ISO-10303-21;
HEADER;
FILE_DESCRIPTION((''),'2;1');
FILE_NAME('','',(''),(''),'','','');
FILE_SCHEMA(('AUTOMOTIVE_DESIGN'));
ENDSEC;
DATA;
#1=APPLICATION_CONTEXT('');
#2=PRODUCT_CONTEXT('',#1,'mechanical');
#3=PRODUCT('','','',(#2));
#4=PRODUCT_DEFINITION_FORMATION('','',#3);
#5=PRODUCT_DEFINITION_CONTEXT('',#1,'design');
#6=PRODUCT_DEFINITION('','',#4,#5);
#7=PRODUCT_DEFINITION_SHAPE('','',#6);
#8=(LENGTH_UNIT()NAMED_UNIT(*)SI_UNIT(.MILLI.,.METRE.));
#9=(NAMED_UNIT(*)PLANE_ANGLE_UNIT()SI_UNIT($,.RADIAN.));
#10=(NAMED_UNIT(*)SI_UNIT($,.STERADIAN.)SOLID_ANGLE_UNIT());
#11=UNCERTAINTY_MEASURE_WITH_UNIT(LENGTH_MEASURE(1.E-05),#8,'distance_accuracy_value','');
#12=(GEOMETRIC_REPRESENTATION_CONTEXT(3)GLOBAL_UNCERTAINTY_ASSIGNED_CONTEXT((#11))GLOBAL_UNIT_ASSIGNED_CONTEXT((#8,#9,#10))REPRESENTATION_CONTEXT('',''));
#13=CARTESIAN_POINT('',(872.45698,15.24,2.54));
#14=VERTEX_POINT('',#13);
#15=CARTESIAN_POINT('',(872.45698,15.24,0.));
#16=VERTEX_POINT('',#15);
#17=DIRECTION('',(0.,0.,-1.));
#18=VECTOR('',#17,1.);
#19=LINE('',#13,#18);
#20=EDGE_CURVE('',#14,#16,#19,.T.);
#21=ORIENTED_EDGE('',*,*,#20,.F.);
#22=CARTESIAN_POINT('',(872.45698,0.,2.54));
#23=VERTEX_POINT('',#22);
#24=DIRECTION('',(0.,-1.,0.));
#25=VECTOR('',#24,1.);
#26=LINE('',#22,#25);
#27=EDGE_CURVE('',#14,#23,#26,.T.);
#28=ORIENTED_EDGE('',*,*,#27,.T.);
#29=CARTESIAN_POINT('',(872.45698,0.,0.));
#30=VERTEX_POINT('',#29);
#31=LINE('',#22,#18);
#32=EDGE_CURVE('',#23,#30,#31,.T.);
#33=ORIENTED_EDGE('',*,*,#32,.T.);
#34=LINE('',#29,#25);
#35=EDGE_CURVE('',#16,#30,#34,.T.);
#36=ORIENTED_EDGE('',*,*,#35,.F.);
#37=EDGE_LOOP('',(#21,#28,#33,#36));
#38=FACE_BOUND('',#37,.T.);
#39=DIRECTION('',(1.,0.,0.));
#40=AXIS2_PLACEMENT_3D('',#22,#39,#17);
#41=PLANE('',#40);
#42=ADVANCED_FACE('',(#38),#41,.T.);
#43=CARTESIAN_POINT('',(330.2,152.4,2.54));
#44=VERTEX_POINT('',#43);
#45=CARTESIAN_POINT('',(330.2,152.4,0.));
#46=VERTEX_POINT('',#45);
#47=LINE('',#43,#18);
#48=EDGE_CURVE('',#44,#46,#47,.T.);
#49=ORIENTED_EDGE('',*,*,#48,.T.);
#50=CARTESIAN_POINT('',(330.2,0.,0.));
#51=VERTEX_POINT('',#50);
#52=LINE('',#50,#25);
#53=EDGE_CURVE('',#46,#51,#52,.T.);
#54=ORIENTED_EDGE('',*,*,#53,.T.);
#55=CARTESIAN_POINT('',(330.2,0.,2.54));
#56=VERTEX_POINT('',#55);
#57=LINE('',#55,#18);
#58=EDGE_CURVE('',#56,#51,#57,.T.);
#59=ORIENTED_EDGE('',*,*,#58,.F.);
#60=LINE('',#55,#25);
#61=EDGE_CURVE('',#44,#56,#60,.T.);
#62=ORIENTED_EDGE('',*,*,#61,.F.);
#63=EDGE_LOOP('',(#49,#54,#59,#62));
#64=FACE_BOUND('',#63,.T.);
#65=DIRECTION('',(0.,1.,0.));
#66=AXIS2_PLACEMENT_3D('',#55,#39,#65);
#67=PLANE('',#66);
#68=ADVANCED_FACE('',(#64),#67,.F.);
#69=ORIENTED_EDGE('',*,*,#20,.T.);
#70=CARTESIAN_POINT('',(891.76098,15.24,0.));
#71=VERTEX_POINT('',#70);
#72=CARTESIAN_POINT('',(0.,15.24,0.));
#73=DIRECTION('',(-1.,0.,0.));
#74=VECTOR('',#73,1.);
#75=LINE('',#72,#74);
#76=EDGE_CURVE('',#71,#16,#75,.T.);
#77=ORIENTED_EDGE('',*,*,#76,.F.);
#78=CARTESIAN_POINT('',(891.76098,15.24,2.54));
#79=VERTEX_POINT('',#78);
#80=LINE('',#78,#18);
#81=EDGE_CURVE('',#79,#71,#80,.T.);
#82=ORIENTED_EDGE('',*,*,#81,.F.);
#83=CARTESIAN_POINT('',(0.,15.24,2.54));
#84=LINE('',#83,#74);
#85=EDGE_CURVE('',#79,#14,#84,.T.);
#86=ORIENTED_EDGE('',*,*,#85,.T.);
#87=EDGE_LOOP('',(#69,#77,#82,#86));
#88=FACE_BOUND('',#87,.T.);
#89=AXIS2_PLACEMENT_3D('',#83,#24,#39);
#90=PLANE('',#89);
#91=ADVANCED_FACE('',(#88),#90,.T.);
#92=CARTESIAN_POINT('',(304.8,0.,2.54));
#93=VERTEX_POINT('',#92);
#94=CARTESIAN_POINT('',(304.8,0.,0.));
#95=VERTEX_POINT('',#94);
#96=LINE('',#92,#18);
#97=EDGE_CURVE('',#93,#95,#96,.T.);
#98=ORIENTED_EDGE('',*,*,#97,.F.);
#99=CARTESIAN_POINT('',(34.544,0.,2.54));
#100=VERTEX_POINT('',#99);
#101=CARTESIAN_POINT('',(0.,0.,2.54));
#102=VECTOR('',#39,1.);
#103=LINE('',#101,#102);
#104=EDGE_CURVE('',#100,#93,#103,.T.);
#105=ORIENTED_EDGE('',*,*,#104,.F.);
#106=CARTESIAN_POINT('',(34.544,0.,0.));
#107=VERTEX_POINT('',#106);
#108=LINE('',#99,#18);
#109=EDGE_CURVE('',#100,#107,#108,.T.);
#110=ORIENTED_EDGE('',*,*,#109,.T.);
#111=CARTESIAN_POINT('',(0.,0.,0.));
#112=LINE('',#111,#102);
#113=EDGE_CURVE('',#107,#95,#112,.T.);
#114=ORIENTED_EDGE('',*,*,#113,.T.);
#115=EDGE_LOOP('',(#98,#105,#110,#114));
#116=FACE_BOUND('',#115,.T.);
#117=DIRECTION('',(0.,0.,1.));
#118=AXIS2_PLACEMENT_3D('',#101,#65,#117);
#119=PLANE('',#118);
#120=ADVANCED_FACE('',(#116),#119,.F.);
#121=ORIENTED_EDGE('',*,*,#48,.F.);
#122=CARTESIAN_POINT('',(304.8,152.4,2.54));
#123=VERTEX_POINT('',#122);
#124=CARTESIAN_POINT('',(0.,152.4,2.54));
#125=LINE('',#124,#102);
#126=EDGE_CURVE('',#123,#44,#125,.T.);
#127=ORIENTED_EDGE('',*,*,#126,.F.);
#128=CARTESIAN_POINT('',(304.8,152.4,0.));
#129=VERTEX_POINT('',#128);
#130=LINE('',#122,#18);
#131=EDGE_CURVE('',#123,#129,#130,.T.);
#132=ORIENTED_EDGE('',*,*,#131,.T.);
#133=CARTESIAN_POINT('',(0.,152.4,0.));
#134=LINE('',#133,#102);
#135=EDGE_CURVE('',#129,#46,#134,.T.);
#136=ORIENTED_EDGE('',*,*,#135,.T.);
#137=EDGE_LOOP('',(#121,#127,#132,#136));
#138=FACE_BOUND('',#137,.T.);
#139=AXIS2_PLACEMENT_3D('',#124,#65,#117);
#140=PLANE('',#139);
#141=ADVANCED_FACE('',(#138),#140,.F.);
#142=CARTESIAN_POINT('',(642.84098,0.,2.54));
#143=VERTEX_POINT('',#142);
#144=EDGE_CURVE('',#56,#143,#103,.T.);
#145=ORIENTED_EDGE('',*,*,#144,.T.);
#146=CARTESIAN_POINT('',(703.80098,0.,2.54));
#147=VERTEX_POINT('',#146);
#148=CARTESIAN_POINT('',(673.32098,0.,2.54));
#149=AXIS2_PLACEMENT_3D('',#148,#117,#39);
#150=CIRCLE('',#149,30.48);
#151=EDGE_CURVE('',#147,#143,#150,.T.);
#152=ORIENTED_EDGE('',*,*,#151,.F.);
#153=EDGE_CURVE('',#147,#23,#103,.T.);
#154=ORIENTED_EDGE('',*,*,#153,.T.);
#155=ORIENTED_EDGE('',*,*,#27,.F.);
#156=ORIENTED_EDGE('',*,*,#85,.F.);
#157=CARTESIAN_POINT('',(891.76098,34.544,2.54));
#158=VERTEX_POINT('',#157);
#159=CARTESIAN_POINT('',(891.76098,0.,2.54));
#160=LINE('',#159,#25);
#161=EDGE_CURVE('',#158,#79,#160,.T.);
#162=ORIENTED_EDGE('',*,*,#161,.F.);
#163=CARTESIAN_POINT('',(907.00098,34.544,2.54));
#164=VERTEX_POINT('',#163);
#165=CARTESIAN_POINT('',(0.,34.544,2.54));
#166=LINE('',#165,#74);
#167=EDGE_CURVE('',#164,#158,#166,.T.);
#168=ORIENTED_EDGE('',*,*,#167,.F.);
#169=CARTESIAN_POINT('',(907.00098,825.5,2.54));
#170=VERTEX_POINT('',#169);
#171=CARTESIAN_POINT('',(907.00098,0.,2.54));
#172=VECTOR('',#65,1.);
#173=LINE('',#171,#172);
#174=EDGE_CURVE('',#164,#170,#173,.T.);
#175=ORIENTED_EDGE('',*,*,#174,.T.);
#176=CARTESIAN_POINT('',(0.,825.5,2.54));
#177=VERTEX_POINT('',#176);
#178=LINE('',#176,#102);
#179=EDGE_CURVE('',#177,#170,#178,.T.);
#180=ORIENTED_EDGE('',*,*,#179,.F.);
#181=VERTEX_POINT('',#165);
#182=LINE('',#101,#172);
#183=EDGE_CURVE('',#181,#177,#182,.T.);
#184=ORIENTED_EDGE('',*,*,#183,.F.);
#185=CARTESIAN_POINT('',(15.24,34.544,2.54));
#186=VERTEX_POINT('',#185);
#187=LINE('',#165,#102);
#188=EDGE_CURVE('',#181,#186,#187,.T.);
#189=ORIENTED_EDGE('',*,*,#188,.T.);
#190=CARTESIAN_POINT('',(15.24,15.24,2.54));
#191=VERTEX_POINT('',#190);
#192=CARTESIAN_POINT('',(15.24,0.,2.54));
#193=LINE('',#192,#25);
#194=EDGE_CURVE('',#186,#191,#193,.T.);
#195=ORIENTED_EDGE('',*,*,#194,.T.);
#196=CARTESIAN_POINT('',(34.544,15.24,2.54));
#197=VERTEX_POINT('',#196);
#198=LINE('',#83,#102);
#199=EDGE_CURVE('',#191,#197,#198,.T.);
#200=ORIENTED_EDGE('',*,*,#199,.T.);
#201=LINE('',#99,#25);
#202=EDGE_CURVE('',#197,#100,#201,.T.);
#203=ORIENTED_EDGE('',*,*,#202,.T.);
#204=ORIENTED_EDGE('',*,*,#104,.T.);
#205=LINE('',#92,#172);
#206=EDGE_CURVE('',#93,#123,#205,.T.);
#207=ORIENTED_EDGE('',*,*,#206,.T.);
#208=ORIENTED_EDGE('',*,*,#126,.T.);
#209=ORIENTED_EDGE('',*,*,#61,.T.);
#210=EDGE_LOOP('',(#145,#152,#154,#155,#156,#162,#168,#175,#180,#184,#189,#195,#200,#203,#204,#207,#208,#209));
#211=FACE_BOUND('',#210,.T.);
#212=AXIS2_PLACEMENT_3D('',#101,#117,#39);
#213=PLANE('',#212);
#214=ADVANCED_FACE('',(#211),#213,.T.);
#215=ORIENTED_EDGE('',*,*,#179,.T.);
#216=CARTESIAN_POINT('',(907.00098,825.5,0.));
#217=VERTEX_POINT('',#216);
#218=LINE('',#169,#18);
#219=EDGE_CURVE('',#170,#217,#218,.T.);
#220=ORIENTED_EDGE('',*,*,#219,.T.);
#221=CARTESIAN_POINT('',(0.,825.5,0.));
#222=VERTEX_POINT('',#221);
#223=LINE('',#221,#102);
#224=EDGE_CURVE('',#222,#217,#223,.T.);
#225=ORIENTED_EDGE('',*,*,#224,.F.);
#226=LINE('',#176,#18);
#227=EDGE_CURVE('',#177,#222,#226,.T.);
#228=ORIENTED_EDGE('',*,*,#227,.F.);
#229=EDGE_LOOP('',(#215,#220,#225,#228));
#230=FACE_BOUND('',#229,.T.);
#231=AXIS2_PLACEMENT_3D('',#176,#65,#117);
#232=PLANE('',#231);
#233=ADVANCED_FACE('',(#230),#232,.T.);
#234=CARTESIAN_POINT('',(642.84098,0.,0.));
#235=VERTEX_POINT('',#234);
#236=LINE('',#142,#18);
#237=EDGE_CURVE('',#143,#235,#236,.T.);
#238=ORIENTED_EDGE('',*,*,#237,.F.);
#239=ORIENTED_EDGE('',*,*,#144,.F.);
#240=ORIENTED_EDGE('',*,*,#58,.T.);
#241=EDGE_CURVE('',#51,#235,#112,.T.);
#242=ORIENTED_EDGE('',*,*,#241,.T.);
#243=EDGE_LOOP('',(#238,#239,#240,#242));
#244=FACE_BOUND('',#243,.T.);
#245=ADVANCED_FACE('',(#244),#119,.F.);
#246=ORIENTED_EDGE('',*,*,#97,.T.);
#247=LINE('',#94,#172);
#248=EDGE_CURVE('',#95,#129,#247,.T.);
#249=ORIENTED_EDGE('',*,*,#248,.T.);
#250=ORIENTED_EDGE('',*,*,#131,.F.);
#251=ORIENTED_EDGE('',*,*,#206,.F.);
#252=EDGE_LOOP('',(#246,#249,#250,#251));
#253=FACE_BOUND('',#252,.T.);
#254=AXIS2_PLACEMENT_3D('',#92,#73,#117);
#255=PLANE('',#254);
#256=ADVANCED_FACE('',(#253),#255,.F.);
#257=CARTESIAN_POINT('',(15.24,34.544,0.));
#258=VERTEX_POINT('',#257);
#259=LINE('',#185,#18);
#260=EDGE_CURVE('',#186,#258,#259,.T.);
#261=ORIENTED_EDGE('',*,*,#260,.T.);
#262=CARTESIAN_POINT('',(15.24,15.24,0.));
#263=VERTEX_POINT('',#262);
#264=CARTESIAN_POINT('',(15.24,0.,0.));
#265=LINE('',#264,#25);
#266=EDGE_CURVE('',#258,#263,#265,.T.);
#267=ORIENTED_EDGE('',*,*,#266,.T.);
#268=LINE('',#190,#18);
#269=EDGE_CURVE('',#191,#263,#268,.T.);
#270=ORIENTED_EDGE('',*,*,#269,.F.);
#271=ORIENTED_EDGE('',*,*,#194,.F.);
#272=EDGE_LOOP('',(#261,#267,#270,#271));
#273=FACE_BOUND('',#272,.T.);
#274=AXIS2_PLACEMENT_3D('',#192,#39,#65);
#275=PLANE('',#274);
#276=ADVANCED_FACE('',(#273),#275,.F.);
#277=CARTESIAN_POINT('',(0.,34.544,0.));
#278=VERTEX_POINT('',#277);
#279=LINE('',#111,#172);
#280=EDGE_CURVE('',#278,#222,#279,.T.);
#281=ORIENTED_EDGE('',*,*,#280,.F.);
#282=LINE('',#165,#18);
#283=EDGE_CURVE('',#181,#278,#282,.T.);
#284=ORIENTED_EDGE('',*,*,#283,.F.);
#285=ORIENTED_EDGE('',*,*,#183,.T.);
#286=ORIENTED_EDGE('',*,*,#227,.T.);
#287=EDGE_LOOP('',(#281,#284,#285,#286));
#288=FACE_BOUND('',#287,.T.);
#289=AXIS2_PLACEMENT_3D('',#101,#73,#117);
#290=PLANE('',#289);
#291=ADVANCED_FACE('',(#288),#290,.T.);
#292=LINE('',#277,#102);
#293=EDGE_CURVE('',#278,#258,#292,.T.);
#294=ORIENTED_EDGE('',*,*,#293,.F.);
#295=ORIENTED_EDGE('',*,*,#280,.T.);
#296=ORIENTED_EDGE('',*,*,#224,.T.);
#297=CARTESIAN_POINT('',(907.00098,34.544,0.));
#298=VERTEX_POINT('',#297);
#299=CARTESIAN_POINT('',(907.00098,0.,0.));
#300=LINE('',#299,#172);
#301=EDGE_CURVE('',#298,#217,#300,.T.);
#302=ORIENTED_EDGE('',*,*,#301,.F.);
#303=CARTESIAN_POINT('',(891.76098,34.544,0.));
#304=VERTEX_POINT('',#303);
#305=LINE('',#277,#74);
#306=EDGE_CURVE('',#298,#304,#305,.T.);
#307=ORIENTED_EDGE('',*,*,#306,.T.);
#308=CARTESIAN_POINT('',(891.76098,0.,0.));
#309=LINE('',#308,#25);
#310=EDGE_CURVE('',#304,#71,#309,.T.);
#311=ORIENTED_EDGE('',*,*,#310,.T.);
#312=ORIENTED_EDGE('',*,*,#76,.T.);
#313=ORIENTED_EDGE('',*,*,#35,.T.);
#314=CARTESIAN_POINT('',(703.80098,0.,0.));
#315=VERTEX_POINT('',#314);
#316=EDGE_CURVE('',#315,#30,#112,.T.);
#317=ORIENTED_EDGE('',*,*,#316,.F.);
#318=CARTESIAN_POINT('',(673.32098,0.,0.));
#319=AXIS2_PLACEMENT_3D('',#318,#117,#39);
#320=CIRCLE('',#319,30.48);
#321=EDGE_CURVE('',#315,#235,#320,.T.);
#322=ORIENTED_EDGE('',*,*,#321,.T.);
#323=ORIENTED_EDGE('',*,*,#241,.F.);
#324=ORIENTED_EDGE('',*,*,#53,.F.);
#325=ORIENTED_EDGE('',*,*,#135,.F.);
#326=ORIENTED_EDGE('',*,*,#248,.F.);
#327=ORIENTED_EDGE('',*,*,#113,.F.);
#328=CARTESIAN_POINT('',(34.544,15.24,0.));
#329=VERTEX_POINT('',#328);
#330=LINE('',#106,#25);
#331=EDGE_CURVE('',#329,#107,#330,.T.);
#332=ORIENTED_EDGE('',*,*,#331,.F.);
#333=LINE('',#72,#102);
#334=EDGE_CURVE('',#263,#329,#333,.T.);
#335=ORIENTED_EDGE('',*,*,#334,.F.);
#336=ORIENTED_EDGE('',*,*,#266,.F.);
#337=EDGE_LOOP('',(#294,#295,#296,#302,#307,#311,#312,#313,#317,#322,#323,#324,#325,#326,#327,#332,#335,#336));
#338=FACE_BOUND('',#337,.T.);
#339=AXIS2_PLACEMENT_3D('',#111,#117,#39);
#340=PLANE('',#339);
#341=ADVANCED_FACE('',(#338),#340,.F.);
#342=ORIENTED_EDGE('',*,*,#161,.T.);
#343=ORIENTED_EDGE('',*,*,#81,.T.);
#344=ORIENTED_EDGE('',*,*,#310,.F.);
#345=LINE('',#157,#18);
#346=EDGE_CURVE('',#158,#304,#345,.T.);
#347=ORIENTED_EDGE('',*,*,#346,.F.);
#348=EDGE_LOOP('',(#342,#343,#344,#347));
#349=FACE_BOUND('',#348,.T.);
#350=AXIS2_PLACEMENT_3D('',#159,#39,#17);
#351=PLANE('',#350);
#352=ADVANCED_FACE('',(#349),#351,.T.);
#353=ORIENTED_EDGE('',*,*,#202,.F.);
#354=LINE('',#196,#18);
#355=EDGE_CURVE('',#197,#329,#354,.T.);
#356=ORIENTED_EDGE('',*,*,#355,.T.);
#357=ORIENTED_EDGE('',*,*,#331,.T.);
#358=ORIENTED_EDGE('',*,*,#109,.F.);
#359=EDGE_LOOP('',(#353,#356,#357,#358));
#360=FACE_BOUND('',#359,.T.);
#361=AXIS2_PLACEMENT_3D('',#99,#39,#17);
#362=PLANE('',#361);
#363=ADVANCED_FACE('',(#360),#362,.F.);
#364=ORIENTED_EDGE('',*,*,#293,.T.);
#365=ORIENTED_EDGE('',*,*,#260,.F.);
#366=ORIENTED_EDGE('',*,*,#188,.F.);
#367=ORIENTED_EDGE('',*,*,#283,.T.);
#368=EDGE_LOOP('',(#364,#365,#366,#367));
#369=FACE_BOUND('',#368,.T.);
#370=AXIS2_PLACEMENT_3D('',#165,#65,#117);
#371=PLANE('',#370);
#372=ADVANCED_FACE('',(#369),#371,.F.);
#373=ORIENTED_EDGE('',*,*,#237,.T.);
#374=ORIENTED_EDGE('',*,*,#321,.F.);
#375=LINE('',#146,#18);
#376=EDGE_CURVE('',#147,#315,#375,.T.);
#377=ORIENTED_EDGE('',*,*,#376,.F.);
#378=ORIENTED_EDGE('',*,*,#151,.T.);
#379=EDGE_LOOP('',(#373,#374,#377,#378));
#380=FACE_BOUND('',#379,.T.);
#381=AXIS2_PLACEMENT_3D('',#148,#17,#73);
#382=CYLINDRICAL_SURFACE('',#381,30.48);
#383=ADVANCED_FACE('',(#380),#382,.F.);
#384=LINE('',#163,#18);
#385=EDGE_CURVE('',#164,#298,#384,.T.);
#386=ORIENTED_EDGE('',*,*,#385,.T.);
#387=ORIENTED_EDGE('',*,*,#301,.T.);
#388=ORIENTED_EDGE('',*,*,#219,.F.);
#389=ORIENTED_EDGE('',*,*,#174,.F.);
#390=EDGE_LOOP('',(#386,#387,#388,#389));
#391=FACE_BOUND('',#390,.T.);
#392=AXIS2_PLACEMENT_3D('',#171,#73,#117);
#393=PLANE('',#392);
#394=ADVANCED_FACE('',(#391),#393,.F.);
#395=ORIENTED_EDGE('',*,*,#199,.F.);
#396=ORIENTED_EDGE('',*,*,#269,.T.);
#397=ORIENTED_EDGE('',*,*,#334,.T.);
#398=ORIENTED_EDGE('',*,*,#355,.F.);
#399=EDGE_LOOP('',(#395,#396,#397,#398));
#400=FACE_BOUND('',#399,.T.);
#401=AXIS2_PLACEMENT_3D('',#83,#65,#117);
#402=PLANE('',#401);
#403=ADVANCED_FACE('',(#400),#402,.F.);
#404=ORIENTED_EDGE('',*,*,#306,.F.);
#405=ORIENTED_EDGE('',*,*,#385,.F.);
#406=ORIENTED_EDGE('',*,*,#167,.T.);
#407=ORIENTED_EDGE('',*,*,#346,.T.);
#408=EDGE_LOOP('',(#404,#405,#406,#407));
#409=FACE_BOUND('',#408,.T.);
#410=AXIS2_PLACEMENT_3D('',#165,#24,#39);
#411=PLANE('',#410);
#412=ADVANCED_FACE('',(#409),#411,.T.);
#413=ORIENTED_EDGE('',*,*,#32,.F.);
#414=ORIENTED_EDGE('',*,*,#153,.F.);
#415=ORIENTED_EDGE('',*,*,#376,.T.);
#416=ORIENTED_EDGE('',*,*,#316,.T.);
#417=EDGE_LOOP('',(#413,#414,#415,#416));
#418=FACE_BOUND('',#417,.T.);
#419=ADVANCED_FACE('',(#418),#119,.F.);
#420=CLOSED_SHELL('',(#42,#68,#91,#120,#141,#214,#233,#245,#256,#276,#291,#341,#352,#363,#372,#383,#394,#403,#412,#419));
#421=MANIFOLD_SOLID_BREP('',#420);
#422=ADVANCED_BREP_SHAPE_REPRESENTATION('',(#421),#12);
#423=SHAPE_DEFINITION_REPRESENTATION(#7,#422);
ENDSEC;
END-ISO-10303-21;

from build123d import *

# Parameters (mm, degrees)
BOSS_EXTRUDE1_DEPTH = 2.54


with BuildPart() as part:
    # Sketch1 → Boss-Extrude1 (new body)
    with BuildSketch(Plane.XY):
        with BuildLine():
            Line((0, 825.5), (0, 34.544))
            Line((0, 34.544), (15.24, 34.544))
            Line((15.24, 34.544), (15.24, 15.24))
            Line((15.24, 15.24), (34.544, 15.24))
            Line((34.544, 15.24), (34.544, 0))
            Line((34.544, 0), (304.8, 0))
            Line((304.8, 0), (304.8, 152.4))
            Line((304.8, 152.4), (330.2, 152.4))
            Line((330.2, 152.4), (330.2, 0))
            Line((330.2, 0), (642.84098, 0))
            ThreePointArc((642.84098, 0), (673.32098, 30.48), (703.80098, 0))
            Line((703.80098, 0), (872.45698, 0))
            Line((872.45698, 0), (872.45698, 15.24))
            Line((872.45698, 15.24), (891.76098, 15.24))
            Line((891.76098, 15.24), (891.76098, 34.544))
            Line((891.76098, 34.544), (907.00098, 34.544))
            Line((907.00098, 34.544), (907.00098, 825.5))
            Line((907.00098, 825.5), (0, 825.5))
        make_face()
    extrude(amount=BOSS_EXTRUDE1_DEPTH)


solid = part.part
